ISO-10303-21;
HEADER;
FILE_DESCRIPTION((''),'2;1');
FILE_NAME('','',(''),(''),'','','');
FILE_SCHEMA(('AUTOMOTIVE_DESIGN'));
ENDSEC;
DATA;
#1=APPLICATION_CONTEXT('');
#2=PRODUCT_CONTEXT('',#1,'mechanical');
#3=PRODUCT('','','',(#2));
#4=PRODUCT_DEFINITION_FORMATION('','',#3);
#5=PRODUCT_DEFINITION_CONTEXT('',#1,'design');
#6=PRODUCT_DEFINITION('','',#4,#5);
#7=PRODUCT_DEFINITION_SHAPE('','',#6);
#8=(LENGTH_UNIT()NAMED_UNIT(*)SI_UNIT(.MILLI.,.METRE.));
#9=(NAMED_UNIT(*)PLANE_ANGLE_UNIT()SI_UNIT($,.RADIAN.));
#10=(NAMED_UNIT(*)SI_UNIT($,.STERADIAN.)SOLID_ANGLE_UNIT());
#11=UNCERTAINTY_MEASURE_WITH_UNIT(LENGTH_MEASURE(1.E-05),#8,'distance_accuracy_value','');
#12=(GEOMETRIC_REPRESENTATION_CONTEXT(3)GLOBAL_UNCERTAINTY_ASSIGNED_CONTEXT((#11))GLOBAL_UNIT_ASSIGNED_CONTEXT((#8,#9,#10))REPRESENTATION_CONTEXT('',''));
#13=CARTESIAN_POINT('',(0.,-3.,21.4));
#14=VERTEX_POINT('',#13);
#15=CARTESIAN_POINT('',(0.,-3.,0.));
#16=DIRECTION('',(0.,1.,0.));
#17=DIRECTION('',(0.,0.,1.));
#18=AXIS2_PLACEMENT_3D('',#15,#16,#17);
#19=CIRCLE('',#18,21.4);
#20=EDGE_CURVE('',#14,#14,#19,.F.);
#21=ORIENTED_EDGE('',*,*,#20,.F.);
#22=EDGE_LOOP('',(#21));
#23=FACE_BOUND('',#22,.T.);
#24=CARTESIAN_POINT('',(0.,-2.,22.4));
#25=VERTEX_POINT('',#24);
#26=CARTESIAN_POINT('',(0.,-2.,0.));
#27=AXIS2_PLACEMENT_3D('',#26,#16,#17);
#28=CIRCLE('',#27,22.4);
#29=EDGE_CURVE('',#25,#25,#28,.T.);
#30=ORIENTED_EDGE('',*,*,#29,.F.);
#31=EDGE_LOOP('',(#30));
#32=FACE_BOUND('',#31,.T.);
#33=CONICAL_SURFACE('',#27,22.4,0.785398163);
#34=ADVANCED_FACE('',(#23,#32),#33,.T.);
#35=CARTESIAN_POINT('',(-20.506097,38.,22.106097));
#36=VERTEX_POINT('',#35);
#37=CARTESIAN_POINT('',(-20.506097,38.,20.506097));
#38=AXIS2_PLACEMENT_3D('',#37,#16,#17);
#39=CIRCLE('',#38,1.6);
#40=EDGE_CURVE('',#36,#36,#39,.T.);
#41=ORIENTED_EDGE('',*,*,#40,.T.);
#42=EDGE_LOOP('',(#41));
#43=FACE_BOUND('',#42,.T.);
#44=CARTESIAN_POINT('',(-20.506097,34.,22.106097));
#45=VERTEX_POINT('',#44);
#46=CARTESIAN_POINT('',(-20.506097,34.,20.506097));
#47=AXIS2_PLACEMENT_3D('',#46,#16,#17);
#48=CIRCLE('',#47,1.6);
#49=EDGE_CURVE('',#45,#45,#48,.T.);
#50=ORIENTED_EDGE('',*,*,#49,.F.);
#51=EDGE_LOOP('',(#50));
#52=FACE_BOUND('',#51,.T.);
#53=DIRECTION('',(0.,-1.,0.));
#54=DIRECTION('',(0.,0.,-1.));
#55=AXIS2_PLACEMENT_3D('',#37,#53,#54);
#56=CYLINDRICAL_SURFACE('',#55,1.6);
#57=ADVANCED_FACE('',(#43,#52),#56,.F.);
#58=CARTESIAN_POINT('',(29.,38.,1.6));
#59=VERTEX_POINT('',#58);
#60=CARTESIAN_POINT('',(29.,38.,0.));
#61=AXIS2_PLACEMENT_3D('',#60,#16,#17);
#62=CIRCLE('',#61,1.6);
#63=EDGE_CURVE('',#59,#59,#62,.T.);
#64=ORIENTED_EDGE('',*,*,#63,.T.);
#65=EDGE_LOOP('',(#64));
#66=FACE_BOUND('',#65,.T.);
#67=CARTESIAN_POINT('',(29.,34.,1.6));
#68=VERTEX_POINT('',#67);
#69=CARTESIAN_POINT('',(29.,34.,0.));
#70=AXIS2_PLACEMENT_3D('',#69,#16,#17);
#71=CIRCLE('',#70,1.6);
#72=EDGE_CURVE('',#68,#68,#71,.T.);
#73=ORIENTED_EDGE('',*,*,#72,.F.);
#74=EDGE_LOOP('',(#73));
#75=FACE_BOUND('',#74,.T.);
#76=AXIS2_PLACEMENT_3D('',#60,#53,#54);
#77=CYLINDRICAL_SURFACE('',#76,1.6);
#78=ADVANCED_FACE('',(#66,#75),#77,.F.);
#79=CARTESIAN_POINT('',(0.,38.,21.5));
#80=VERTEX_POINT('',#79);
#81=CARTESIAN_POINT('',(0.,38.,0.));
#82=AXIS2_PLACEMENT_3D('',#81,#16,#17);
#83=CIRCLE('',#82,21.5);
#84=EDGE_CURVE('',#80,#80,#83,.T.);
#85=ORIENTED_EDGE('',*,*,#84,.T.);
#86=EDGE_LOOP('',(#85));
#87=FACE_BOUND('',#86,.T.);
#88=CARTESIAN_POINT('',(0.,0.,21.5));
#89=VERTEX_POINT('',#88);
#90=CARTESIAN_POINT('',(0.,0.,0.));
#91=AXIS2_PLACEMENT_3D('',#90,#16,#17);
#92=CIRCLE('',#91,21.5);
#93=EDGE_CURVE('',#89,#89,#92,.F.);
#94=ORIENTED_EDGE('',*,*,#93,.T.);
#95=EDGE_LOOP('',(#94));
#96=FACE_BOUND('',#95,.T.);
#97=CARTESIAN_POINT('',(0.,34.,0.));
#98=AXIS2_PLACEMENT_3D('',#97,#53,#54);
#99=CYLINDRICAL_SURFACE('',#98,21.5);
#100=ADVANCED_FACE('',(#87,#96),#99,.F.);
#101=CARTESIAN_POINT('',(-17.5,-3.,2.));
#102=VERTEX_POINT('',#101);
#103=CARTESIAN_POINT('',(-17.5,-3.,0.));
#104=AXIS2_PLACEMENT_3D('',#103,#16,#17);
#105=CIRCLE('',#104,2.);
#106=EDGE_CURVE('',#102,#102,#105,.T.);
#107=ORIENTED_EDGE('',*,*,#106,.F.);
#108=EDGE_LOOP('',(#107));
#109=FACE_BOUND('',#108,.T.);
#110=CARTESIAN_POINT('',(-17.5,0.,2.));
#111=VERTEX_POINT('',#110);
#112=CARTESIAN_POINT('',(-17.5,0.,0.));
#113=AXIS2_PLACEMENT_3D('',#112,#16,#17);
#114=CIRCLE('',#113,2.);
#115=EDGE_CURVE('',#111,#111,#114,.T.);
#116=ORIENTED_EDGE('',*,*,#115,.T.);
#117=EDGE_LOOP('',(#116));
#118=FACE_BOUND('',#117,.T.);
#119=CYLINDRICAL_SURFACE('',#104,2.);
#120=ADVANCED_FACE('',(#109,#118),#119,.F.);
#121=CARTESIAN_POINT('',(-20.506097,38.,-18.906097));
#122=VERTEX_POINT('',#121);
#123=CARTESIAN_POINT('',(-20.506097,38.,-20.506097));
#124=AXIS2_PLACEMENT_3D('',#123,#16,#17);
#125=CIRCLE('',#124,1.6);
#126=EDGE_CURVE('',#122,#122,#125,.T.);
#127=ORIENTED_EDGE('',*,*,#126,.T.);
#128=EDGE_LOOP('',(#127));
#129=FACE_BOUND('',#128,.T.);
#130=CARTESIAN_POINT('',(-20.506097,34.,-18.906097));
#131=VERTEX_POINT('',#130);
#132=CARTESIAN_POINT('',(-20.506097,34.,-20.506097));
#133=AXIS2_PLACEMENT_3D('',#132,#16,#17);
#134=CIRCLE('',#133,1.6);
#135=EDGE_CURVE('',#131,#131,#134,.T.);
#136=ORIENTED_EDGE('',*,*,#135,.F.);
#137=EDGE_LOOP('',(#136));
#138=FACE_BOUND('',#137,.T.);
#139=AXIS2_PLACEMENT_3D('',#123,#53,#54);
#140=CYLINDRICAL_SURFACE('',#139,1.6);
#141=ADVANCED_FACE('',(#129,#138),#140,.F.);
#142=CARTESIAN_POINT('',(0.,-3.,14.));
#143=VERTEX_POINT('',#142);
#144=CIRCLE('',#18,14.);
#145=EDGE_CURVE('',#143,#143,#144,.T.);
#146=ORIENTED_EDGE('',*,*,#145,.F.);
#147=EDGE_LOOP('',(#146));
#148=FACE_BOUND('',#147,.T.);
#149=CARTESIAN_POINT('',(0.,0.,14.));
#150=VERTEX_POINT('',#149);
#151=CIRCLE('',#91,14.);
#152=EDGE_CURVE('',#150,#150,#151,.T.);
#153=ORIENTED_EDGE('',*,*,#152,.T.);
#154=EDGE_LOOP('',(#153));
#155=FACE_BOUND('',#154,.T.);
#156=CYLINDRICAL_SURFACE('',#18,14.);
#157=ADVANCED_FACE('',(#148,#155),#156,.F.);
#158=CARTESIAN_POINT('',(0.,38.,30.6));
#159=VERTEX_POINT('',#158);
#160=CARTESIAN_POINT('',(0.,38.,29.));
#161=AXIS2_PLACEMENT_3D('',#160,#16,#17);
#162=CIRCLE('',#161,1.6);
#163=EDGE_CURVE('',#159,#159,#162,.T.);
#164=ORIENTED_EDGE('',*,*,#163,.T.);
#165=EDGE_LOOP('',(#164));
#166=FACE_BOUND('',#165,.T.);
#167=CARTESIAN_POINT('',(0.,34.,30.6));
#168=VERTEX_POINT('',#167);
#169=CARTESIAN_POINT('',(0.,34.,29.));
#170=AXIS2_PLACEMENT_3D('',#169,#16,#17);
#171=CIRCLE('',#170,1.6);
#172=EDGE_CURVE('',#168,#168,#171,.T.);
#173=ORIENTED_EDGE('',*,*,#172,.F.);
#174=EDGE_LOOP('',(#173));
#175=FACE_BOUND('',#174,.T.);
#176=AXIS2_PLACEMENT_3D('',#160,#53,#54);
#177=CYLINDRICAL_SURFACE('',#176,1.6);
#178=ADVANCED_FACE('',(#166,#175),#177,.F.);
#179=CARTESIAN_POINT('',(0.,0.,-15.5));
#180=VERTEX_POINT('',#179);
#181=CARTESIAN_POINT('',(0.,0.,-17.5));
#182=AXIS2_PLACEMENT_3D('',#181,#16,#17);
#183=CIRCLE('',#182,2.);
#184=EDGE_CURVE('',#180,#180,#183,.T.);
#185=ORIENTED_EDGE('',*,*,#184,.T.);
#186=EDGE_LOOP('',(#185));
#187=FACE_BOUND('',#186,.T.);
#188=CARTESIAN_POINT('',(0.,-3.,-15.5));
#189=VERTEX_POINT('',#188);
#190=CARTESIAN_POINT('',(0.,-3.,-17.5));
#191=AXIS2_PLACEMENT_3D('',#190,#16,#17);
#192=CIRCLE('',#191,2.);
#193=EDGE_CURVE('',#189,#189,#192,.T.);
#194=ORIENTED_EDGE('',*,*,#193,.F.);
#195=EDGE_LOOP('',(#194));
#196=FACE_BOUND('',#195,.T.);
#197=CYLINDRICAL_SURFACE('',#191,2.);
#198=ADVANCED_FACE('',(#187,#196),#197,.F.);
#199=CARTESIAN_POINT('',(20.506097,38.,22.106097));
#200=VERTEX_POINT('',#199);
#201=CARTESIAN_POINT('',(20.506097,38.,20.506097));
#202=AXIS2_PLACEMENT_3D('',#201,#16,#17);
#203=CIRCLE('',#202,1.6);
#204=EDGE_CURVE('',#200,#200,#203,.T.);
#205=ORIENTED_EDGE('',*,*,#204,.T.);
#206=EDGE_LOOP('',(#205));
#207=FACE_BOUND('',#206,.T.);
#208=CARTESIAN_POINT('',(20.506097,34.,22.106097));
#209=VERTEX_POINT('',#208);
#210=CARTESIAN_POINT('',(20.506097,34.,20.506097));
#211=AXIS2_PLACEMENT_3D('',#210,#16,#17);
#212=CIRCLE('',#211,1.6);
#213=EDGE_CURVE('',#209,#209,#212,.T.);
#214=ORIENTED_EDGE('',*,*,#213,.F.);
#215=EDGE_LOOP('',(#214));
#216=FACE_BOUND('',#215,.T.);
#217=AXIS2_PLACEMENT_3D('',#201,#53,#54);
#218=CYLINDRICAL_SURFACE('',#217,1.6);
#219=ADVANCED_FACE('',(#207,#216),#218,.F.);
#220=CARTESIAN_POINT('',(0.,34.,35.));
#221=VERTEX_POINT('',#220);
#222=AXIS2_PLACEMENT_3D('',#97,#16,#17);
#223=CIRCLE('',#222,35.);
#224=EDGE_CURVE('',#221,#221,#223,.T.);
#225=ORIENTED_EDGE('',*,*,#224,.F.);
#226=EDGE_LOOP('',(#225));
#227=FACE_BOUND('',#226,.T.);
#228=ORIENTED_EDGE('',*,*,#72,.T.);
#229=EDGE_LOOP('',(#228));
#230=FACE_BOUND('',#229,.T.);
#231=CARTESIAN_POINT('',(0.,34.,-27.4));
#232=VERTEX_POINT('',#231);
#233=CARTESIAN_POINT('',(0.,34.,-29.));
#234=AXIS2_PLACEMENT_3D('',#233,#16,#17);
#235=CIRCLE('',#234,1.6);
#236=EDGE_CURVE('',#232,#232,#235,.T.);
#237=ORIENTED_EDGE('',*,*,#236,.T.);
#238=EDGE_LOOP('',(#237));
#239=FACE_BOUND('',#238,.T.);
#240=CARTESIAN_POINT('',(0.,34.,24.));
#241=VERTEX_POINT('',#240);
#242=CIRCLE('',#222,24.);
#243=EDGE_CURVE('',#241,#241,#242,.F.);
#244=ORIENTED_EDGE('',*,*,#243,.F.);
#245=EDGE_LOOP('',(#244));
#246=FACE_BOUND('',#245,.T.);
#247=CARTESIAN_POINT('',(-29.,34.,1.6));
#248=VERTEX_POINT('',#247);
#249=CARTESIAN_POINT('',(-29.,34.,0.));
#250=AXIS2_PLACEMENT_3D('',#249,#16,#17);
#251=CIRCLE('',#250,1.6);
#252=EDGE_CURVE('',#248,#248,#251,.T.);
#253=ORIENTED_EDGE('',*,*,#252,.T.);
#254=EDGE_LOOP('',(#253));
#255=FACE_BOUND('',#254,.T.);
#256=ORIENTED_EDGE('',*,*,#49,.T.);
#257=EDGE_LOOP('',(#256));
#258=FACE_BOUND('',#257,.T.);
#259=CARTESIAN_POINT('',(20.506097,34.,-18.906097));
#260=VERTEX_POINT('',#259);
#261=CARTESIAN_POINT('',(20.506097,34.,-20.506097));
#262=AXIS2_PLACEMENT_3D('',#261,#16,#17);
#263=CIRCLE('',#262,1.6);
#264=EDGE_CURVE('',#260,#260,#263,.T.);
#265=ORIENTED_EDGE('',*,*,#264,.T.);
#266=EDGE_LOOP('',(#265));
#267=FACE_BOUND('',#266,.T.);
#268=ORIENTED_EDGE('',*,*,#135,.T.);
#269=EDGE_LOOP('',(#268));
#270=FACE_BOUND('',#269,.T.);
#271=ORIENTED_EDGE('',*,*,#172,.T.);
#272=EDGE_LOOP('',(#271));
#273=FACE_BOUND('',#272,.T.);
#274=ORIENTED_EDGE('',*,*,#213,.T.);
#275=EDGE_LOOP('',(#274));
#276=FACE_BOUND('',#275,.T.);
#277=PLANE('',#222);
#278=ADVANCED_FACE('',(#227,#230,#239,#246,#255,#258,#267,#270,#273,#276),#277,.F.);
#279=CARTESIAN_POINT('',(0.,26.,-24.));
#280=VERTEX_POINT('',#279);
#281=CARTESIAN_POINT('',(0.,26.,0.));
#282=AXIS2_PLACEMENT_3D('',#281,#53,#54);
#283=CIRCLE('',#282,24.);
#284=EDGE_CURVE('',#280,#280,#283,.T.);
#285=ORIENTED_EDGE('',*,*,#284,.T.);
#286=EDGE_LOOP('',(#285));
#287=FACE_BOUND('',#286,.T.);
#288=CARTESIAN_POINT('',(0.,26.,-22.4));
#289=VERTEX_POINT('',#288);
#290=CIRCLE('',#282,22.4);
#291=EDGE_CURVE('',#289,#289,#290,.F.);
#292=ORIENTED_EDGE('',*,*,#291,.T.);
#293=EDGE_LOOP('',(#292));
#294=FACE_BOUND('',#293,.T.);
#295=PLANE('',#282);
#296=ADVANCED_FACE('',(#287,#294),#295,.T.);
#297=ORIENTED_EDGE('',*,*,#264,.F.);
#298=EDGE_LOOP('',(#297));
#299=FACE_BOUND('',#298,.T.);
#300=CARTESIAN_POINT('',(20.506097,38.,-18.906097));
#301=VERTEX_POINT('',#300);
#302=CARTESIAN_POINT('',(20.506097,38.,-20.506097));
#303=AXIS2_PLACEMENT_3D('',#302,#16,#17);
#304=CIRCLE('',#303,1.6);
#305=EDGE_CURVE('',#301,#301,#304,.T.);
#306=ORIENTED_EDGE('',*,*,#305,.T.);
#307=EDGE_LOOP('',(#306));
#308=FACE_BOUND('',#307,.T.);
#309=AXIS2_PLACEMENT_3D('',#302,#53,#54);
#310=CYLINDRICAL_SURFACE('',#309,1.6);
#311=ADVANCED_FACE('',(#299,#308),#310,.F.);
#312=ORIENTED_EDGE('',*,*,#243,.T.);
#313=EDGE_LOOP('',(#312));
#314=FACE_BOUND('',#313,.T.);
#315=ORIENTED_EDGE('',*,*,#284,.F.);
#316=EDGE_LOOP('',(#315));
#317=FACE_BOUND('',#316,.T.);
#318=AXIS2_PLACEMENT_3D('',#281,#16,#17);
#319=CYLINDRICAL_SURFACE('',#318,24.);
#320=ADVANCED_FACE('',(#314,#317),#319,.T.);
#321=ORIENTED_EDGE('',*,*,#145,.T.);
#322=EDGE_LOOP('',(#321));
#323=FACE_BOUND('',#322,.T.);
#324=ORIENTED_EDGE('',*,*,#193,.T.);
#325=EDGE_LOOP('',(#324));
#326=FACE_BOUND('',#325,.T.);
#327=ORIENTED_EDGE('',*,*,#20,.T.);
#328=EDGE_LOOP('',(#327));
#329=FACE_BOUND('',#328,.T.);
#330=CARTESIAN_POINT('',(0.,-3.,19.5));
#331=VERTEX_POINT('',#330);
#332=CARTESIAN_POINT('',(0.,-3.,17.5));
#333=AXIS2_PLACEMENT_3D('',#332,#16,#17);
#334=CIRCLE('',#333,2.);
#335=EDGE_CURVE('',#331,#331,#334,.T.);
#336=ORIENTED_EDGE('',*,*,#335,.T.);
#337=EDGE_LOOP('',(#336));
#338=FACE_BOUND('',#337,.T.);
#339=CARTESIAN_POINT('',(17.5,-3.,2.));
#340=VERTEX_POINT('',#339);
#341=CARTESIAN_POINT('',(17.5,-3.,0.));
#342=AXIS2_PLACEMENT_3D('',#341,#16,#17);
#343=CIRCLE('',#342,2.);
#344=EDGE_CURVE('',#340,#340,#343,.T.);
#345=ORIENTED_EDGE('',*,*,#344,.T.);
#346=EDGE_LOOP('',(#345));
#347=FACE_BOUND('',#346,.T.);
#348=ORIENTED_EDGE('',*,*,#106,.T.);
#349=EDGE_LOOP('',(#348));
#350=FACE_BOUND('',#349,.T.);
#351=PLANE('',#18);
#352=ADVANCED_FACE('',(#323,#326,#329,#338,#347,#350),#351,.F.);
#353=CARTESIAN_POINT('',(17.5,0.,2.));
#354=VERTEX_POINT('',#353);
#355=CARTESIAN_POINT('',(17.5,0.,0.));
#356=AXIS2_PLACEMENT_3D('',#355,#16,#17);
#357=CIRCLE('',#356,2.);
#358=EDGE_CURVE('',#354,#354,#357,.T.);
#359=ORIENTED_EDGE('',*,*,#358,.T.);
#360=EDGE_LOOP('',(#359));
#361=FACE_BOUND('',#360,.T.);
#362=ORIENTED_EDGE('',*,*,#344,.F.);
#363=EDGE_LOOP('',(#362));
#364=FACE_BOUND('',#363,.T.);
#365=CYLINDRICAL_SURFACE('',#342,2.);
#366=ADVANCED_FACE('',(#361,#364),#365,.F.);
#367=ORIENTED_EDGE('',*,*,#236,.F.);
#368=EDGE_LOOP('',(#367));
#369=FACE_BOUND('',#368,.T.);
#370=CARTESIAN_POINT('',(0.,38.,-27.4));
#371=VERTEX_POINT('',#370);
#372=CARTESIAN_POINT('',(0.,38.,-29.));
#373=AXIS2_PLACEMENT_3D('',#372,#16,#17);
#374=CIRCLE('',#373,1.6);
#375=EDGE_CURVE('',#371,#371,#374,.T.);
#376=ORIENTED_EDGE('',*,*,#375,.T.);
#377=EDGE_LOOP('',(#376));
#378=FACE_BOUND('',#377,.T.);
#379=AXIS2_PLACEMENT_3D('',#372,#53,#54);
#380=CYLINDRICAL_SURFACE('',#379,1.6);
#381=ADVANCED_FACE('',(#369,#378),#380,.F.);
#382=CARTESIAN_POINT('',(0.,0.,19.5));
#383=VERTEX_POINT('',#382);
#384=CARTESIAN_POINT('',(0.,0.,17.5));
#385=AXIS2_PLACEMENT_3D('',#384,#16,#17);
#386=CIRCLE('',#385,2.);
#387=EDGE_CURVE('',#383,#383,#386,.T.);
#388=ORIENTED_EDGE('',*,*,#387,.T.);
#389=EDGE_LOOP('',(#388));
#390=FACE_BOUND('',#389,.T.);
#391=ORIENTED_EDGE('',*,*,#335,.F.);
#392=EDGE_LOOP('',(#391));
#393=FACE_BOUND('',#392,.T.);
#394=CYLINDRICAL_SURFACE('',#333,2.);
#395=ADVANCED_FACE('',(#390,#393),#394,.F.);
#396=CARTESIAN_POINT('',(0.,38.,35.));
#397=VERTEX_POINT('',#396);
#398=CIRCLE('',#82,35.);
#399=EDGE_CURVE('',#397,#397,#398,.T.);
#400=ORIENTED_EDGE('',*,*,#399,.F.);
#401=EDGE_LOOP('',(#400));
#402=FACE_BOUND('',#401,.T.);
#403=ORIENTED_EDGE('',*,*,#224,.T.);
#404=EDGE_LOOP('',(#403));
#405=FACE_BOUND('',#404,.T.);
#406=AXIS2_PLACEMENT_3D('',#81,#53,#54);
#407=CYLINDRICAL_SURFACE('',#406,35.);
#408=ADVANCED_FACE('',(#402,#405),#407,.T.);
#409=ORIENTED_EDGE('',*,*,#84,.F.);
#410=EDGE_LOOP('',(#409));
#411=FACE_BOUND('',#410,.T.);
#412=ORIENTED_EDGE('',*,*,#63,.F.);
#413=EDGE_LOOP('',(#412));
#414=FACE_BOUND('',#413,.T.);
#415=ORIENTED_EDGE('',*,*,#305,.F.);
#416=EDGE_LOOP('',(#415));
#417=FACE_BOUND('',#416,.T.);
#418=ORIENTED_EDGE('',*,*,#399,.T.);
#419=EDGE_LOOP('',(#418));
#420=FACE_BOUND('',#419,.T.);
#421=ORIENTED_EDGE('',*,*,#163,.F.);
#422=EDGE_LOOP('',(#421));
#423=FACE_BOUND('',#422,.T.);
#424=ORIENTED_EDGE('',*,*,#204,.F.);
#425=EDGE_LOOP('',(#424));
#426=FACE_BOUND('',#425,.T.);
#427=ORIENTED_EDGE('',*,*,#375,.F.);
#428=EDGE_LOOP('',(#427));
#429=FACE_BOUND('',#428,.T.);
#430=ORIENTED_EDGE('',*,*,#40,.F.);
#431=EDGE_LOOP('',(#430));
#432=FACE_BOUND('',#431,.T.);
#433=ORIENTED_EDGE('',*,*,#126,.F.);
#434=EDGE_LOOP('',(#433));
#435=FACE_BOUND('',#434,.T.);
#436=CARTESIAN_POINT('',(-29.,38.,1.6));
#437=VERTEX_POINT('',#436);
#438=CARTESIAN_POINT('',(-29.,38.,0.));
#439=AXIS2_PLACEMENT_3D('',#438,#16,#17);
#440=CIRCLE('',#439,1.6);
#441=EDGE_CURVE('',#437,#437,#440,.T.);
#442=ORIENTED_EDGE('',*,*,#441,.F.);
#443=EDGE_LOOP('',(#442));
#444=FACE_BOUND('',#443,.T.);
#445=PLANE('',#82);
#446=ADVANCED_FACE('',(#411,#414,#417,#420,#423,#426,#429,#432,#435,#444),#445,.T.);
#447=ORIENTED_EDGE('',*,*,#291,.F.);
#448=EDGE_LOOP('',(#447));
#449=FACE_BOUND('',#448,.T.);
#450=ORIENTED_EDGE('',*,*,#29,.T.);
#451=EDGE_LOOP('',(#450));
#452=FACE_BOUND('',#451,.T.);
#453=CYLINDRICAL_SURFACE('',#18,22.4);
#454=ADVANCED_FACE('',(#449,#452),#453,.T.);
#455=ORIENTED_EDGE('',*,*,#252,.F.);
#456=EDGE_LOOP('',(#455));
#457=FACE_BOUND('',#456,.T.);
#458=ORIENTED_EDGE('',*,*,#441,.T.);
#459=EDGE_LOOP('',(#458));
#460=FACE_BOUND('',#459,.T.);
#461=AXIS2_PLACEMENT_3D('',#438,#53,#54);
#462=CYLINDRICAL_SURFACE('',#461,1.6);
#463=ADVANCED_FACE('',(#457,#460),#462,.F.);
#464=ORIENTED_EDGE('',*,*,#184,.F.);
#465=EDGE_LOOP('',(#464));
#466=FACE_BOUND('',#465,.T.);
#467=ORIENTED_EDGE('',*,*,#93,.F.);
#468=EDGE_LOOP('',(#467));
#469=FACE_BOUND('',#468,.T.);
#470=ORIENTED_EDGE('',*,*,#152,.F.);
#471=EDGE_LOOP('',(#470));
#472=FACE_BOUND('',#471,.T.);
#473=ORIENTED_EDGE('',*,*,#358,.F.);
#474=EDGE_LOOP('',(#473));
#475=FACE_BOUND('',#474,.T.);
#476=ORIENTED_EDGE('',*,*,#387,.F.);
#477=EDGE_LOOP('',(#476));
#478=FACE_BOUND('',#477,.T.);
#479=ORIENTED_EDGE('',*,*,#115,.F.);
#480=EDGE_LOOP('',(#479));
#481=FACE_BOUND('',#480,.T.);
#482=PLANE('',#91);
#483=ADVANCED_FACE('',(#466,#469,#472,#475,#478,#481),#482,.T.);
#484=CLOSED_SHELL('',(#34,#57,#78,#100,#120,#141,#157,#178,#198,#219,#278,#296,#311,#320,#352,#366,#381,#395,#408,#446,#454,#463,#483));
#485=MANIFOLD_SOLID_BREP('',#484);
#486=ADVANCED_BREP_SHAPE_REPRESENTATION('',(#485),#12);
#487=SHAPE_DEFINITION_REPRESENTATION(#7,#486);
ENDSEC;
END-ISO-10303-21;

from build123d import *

# Parameters (mm, degrees)
SKETCH_1_R      = 22.4
SKETCH_1_R_2    = 2
SKETCH_1_R_3    = 14
EXTRUDE_1_DEPTH = 3
EXTRUDE_START   = 34
SKETCH_1_3_R    = 22.4
SKETCH_1_3_R_2  = 21.5
EXTRUDE_2_DEPTH = 34
EXTRUDE_START_2 = 4
SKETCH_2_R      = 35
SKETCH_2_R_2    = 21.5
SKETCH_2_R_3    = 1.6
EXTRUDE_3_DEPTH = 4
SKETCH_3_R      = 24
SKETCH_3_R_2    = 22.4
EXTRUDE_4_DEPTH = 8
CHAMFER_1_SIZE  = 1


with BuildPart() as part:
    # 草图1 → 凸台-拉伸1 (new body)
    with BuildSketch(Plane(origin=(0, 0, 0), x_dir=(1, 0, 0), z_dir=(0, 1, 0))):
        Circle(SKETCH_1_R)
        with Locations((0, -17.5)):
            Circle(SKETCH_1_R_2, mode=Mode.SUBTRACT)
        with Locations((-17.5, 0)):
            Circle(SKETCH_1_R_2, mode=Mode.SUBTRACT)
        Circle(SKETCH_1_R_3, mode=Mode.SUBTRACT)
        with Locations((17.5, 0)):
            Circle(SKETCH_1_R_2, mode=Mode.SUBTRACT)
        with Locations((0, 17.5)):
            Circle(SKETCH_1_R_2, mode=Mode.SUBTRACT)
    extrude(amount=-EXTRUDE_1_DEPTH)

    # 草图1<3> → 凸台-拉伸2 (add)
    with BuildSketch(Plane(origin=(0, 0, 0), x_dir=(1, 0, 0), z_dir=(0, 1, 0)).offset(EXTRUDE_START)):
        Circle(SKETCH_1_3_R)
        Circle(SKETCH_1_3_R_2, mode=Mode.SUBTRACT)
    extrude(amount=-EXTRUDE_2_DEPTH)

    # 草图2 → 凸台-拉伸3 (add)
    with BuildSketch(Plane(origin=(0, 34, 0), x_dir=(1, 0, 0), z_dir=(0, 1, 0)).offset(EXTRUDE_START_2)):
        Circle(SKETCH_2_R)
        Circle(SKETCH_2_R_2, mode=Mode.SUBTRACT)
        with Locations((29, 0)):
            Circle(SKETCH_2_R_3, mode=Mode.SUBTRACT)
        with Locations((20.506096654, -20.506096654)):
            Circle(SKETCH_2_R_3, mode=Mode.SUBTRACT)
        with Locations((0, -29)):
            Circle(SKETCH_2_R_3, mode=Mode.SUBTRACT)
        with Locations((-20.506096654, -20.506096654)):
            Circle(SKETCH_2_R_3, mode=Mode.SUBTRACT)
        with Locations((-29, 0)):
            Circle(SKETCH_2_R_3, mode=Mode.SUBTRACT)
        with Locations((-20.506096654, 20.506096654)):
            Circle(SKETCH_2_R_3, mode=Mode.SUBTRACT)
        with Locations((0, 29)):
            Circle(SKETCH_2_R_3, mode=Mode.SUBTRACT)
        with Locations((20.506096654, 20.506096654)):
            Circle(SKETCH_2_R_3, mode=Mode.SUBTRACT)
    extrude(amount=-EXTRUDE_3_DEPTH)

    # 草图3 → 凸台-拉伸4 (add)
    with BuildSketch(Plane.XZ.offset(-34)):
        Circle(SKETCH_3_R)
        Circle(SKETCH_3_R_2, mode=Mode.SUBTRACT)
    extrude(amount=EXTRUDE_4_DEPTH)

    # 倒角1
    chamfer_1_edges = [part.edges().sort_by_distance(p)[0] for p in [
        (-22.4, -3, 0),
    ]]
    chamfer(chamfer_1_edges, length=CHAMFER_1_SIZE)


solid = part.part
